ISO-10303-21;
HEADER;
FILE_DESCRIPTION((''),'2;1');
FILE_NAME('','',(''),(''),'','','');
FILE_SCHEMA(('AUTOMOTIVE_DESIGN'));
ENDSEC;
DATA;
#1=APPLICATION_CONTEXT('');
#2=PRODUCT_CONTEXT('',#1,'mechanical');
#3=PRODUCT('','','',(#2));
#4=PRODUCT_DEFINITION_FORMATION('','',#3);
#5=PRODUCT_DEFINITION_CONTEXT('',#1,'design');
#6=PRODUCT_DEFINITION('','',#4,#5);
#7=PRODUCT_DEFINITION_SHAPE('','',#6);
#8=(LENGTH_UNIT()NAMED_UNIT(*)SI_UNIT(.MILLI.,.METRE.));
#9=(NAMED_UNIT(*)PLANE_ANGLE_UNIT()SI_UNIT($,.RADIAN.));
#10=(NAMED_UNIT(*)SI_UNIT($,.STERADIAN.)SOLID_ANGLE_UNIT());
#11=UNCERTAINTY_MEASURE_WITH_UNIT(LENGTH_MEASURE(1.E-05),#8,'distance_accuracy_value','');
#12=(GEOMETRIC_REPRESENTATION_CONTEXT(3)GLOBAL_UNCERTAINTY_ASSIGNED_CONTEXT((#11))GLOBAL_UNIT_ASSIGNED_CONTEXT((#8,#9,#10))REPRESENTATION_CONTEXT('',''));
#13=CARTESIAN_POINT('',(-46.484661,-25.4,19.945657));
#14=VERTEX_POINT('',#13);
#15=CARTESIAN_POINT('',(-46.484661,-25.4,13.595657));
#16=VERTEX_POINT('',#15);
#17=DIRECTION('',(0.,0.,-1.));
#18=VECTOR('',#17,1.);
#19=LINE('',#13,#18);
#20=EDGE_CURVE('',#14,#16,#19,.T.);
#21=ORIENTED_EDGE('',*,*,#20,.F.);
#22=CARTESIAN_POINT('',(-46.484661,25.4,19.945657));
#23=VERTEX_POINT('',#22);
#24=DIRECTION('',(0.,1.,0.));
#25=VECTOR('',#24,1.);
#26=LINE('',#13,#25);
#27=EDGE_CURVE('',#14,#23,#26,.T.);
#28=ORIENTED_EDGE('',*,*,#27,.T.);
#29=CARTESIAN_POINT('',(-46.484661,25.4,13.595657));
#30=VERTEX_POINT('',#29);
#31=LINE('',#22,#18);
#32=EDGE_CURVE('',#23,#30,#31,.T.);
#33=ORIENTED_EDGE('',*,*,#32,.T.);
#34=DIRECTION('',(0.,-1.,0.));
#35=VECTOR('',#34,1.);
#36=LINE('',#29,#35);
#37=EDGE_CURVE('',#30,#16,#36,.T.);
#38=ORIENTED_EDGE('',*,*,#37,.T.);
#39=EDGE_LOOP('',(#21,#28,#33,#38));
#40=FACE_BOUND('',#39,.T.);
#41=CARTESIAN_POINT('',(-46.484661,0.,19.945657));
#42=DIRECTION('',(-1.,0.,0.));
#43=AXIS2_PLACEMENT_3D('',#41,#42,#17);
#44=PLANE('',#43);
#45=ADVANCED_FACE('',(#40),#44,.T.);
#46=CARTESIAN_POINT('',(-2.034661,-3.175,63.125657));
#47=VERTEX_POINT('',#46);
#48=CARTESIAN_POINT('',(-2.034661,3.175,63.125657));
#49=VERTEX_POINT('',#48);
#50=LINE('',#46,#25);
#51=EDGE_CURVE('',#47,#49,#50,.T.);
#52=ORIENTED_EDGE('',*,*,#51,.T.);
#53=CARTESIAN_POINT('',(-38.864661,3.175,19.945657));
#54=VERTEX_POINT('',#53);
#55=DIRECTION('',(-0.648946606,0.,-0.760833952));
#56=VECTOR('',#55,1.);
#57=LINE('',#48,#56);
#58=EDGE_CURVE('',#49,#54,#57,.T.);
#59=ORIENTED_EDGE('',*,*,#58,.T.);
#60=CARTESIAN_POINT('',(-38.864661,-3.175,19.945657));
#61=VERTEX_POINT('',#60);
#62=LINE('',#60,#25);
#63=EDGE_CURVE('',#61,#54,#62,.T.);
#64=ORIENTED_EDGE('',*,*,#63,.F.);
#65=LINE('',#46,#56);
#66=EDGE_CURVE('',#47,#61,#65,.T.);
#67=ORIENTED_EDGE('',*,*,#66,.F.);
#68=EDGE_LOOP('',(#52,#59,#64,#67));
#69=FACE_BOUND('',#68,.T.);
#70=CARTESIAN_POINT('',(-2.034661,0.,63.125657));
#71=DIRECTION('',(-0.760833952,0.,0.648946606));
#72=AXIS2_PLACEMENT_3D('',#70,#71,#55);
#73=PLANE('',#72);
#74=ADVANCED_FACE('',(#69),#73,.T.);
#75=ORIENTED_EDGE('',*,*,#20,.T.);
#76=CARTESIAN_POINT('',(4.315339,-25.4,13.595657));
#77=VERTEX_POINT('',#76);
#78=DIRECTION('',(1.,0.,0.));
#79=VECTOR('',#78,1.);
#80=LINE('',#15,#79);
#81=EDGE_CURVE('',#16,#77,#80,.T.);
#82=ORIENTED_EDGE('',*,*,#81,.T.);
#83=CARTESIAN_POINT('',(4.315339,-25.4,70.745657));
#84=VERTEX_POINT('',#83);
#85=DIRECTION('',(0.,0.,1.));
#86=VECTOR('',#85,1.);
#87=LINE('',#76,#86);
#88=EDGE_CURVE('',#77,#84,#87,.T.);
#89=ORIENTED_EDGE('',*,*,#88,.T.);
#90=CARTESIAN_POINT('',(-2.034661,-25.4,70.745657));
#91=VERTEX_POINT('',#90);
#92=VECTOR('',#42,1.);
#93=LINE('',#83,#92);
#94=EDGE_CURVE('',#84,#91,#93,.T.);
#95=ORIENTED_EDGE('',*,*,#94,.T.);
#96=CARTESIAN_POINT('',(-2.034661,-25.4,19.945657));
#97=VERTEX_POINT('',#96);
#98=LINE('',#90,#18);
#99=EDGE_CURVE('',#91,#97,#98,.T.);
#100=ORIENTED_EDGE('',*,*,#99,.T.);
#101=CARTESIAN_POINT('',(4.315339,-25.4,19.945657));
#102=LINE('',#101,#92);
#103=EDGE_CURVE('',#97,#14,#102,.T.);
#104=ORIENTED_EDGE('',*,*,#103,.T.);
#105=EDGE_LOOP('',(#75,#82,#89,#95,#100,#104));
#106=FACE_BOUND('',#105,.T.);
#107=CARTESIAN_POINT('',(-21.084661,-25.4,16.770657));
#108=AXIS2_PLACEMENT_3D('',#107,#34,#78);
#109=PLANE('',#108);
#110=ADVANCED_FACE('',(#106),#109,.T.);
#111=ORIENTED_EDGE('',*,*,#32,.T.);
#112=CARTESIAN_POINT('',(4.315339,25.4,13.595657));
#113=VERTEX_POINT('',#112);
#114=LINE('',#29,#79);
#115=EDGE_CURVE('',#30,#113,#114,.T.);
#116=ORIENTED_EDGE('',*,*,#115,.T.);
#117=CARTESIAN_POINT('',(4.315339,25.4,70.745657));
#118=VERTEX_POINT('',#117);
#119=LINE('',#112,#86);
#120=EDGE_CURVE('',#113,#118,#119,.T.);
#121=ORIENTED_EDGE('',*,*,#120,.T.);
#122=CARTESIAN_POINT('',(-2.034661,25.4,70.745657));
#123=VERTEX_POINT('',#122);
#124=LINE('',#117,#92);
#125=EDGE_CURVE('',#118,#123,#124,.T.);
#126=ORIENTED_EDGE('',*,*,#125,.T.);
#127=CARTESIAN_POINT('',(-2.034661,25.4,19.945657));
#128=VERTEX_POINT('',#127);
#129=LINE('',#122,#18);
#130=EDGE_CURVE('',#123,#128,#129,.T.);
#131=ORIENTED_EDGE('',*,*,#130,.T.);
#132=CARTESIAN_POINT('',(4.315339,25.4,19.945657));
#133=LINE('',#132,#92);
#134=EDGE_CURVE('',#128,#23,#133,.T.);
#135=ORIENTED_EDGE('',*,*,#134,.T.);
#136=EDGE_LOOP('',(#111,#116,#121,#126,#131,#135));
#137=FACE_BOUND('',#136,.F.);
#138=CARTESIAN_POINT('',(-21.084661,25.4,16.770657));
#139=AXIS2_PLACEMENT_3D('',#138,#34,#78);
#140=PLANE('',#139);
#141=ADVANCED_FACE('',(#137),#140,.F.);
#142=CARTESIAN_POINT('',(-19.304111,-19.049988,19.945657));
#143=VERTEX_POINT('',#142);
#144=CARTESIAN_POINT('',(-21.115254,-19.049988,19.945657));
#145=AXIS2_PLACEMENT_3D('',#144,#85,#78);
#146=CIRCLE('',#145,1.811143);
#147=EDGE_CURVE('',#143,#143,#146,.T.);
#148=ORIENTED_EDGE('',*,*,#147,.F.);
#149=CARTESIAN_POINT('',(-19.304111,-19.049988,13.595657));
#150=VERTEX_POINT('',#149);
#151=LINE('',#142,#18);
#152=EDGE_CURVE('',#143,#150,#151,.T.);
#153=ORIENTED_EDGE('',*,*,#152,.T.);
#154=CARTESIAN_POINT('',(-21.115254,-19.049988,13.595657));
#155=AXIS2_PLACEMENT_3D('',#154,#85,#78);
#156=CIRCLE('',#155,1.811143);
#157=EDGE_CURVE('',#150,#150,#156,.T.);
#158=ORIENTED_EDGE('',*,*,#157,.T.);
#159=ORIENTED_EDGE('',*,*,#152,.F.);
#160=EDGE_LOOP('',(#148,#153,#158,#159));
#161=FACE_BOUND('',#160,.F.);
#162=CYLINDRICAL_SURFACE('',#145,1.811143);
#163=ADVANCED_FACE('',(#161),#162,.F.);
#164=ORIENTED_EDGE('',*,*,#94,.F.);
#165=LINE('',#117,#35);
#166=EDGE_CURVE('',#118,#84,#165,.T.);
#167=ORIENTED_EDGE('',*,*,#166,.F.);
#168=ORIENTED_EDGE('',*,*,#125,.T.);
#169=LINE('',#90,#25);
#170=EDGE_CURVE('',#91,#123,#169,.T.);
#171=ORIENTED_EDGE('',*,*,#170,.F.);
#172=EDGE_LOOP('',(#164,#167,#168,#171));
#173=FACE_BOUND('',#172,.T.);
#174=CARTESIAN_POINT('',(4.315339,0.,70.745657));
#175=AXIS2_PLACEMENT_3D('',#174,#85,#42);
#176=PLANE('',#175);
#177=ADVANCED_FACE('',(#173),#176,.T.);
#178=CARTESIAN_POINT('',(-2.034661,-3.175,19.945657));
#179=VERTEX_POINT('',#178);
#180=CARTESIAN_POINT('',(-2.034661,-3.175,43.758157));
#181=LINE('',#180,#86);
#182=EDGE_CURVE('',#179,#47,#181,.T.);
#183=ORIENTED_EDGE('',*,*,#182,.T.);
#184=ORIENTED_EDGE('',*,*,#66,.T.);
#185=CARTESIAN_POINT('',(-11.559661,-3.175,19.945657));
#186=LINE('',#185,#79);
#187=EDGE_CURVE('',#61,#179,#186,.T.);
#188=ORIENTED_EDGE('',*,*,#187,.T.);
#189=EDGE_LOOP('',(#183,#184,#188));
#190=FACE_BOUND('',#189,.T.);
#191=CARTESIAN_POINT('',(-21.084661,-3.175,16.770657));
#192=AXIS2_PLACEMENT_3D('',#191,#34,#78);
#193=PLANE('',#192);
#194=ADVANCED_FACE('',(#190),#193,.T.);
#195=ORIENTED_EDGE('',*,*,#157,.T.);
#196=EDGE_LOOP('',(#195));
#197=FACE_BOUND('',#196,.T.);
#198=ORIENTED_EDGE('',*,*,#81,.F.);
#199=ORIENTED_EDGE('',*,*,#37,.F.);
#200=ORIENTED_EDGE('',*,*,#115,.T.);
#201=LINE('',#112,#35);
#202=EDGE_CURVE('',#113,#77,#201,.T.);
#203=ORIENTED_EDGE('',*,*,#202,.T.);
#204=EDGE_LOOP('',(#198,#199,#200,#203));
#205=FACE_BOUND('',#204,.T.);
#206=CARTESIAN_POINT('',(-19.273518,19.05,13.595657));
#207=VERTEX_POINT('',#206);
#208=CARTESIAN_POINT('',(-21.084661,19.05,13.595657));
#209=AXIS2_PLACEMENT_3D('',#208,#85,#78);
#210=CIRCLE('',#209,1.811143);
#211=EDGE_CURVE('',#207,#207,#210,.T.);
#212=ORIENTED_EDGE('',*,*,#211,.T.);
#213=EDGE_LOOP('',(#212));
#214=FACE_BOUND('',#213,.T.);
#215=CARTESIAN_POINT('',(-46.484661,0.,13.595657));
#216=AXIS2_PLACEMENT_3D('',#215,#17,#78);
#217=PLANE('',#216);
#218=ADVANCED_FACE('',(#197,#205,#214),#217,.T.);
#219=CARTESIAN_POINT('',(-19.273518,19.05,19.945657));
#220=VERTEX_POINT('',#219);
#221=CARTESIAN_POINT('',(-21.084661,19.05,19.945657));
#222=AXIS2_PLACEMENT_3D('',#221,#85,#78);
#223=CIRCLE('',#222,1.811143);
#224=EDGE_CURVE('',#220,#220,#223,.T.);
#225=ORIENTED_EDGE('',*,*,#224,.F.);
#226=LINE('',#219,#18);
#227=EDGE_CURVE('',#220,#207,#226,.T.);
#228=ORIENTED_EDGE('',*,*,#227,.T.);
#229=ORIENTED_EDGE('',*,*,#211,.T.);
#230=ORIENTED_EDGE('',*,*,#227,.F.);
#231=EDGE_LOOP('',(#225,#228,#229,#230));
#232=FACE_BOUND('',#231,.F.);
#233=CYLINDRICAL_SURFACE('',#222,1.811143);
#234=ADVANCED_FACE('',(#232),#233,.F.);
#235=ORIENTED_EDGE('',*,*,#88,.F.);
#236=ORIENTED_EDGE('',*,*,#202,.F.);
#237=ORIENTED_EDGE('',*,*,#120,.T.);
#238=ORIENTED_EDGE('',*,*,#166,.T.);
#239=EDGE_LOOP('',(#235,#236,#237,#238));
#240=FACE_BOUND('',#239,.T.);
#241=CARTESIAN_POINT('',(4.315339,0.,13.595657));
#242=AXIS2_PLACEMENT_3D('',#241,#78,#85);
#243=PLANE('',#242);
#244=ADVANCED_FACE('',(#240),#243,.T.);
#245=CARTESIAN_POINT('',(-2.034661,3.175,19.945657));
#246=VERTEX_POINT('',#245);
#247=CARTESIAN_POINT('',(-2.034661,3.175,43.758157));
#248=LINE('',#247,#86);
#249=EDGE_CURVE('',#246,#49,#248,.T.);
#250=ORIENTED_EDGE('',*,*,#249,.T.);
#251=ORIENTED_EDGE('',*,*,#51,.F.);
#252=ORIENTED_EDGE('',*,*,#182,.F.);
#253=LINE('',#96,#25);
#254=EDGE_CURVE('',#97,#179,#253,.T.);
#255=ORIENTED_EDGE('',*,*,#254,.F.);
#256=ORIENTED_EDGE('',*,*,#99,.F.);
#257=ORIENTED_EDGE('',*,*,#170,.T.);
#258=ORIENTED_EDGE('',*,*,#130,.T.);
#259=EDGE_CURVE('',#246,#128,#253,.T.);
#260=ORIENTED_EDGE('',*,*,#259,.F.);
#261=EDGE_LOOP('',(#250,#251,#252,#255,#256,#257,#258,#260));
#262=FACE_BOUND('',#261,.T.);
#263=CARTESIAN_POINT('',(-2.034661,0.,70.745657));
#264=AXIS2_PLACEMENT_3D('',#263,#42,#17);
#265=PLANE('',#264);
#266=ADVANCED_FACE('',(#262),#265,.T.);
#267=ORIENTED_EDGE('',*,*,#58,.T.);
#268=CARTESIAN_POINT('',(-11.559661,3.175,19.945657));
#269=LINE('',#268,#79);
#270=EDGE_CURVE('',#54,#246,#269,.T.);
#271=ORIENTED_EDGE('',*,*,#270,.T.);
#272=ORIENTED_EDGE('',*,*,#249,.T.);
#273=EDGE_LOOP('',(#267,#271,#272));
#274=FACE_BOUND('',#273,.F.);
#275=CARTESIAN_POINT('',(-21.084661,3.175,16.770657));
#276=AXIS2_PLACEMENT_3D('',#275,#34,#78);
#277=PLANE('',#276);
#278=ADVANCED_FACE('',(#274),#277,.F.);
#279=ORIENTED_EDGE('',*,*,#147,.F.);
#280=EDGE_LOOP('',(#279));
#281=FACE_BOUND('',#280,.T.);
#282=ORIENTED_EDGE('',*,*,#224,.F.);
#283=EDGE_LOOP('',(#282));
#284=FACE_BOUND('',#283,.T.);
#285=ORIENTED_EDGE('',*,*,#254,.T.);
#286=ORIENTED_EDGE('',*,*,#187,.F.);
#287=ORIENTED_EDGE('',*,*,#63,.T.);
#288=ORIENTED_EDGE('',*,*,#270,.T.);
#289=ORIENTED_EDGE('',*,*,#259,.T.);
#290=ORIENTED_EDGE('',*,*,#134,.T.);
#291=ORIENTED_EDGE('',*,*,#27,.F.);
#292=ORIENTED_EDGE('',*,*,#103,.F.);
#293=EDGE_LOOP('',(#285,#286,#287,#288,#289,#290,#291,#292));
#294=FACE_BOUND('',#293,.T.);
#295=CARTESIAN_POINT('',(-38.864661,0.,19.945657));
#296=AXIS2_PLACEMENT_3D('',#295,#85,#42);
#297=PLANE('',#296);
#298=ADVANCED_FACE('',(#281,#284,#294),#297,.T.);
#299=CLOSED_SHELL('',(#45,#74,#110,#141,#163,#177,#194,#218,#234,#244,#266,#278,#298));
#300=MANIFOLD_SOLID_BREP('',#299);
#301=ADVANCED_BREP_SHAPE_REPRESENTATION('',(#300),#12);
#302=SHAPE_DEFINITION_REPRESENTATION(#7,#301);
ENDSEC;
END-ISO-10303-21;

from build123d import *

# Parameters (mm, degrees)
F1_DEPTH = 25.4
F2_DEPTH = 3.175
F3_R     = 1.811143
F4_DEPTH = 25.4


with BuildPart() as f1:
    # F0 (on Front) → F1 (new body, symmetric)
    with BuildSketch(Plane.XZ):
        Polygon((-38.864661, 19.945657), (-46.484661, 19.945657), (-46.484661, 13.595657), (4.315339, 13.595657), (4.315339, 19.945657), (-2.034661, 19.945657), align=None)
        Polygon((-2.034661, 63.125657), (-2.034661, 19.945657), (4.315339, 19.945657), (4.315339, 70.745657), (-2.034661, 70.745657), align=None)
    extrude(amount=F1_DEPTH, both=True)

    # F0 (on Front) → F2 (join, symmetric)
    with BuildSketch(Plane.XZ):
        Polygon((-38.864661, 19.945657), (-46.484661, 19.945657), (-46.484661, 13.595657), (4.315339, 13.595657), (4.315339, 19.945657), (-2.034661, 19.945657), align=None)
        Polygon((-2.034661, 63.125657), (-38.864661, 19.945657), (-2.034661, 19.945657), align=None)
        Polygon((-2.034661, 63.125657), (-2.034661, 19.945657), (4.315339, 19.945657), (4.315339, 70.745657), (-2.034661, 70.745657), align=None)
    extrude(amount=F2_DEPTH, both=True)

    # F3 (on face) → F4 (cut)
    with BuildSketch(Plane.XY.offset(19.945657)):
        with Locations((-21.084661, 19.05)):
            Circle(F3_R)
        with Locations((-21.115254, -19.049988)):
            Circle(F3_R)
    extrude(amount=-F4_DEPTH, mode=Mode.SUBTRACT)


solid = f1.part
